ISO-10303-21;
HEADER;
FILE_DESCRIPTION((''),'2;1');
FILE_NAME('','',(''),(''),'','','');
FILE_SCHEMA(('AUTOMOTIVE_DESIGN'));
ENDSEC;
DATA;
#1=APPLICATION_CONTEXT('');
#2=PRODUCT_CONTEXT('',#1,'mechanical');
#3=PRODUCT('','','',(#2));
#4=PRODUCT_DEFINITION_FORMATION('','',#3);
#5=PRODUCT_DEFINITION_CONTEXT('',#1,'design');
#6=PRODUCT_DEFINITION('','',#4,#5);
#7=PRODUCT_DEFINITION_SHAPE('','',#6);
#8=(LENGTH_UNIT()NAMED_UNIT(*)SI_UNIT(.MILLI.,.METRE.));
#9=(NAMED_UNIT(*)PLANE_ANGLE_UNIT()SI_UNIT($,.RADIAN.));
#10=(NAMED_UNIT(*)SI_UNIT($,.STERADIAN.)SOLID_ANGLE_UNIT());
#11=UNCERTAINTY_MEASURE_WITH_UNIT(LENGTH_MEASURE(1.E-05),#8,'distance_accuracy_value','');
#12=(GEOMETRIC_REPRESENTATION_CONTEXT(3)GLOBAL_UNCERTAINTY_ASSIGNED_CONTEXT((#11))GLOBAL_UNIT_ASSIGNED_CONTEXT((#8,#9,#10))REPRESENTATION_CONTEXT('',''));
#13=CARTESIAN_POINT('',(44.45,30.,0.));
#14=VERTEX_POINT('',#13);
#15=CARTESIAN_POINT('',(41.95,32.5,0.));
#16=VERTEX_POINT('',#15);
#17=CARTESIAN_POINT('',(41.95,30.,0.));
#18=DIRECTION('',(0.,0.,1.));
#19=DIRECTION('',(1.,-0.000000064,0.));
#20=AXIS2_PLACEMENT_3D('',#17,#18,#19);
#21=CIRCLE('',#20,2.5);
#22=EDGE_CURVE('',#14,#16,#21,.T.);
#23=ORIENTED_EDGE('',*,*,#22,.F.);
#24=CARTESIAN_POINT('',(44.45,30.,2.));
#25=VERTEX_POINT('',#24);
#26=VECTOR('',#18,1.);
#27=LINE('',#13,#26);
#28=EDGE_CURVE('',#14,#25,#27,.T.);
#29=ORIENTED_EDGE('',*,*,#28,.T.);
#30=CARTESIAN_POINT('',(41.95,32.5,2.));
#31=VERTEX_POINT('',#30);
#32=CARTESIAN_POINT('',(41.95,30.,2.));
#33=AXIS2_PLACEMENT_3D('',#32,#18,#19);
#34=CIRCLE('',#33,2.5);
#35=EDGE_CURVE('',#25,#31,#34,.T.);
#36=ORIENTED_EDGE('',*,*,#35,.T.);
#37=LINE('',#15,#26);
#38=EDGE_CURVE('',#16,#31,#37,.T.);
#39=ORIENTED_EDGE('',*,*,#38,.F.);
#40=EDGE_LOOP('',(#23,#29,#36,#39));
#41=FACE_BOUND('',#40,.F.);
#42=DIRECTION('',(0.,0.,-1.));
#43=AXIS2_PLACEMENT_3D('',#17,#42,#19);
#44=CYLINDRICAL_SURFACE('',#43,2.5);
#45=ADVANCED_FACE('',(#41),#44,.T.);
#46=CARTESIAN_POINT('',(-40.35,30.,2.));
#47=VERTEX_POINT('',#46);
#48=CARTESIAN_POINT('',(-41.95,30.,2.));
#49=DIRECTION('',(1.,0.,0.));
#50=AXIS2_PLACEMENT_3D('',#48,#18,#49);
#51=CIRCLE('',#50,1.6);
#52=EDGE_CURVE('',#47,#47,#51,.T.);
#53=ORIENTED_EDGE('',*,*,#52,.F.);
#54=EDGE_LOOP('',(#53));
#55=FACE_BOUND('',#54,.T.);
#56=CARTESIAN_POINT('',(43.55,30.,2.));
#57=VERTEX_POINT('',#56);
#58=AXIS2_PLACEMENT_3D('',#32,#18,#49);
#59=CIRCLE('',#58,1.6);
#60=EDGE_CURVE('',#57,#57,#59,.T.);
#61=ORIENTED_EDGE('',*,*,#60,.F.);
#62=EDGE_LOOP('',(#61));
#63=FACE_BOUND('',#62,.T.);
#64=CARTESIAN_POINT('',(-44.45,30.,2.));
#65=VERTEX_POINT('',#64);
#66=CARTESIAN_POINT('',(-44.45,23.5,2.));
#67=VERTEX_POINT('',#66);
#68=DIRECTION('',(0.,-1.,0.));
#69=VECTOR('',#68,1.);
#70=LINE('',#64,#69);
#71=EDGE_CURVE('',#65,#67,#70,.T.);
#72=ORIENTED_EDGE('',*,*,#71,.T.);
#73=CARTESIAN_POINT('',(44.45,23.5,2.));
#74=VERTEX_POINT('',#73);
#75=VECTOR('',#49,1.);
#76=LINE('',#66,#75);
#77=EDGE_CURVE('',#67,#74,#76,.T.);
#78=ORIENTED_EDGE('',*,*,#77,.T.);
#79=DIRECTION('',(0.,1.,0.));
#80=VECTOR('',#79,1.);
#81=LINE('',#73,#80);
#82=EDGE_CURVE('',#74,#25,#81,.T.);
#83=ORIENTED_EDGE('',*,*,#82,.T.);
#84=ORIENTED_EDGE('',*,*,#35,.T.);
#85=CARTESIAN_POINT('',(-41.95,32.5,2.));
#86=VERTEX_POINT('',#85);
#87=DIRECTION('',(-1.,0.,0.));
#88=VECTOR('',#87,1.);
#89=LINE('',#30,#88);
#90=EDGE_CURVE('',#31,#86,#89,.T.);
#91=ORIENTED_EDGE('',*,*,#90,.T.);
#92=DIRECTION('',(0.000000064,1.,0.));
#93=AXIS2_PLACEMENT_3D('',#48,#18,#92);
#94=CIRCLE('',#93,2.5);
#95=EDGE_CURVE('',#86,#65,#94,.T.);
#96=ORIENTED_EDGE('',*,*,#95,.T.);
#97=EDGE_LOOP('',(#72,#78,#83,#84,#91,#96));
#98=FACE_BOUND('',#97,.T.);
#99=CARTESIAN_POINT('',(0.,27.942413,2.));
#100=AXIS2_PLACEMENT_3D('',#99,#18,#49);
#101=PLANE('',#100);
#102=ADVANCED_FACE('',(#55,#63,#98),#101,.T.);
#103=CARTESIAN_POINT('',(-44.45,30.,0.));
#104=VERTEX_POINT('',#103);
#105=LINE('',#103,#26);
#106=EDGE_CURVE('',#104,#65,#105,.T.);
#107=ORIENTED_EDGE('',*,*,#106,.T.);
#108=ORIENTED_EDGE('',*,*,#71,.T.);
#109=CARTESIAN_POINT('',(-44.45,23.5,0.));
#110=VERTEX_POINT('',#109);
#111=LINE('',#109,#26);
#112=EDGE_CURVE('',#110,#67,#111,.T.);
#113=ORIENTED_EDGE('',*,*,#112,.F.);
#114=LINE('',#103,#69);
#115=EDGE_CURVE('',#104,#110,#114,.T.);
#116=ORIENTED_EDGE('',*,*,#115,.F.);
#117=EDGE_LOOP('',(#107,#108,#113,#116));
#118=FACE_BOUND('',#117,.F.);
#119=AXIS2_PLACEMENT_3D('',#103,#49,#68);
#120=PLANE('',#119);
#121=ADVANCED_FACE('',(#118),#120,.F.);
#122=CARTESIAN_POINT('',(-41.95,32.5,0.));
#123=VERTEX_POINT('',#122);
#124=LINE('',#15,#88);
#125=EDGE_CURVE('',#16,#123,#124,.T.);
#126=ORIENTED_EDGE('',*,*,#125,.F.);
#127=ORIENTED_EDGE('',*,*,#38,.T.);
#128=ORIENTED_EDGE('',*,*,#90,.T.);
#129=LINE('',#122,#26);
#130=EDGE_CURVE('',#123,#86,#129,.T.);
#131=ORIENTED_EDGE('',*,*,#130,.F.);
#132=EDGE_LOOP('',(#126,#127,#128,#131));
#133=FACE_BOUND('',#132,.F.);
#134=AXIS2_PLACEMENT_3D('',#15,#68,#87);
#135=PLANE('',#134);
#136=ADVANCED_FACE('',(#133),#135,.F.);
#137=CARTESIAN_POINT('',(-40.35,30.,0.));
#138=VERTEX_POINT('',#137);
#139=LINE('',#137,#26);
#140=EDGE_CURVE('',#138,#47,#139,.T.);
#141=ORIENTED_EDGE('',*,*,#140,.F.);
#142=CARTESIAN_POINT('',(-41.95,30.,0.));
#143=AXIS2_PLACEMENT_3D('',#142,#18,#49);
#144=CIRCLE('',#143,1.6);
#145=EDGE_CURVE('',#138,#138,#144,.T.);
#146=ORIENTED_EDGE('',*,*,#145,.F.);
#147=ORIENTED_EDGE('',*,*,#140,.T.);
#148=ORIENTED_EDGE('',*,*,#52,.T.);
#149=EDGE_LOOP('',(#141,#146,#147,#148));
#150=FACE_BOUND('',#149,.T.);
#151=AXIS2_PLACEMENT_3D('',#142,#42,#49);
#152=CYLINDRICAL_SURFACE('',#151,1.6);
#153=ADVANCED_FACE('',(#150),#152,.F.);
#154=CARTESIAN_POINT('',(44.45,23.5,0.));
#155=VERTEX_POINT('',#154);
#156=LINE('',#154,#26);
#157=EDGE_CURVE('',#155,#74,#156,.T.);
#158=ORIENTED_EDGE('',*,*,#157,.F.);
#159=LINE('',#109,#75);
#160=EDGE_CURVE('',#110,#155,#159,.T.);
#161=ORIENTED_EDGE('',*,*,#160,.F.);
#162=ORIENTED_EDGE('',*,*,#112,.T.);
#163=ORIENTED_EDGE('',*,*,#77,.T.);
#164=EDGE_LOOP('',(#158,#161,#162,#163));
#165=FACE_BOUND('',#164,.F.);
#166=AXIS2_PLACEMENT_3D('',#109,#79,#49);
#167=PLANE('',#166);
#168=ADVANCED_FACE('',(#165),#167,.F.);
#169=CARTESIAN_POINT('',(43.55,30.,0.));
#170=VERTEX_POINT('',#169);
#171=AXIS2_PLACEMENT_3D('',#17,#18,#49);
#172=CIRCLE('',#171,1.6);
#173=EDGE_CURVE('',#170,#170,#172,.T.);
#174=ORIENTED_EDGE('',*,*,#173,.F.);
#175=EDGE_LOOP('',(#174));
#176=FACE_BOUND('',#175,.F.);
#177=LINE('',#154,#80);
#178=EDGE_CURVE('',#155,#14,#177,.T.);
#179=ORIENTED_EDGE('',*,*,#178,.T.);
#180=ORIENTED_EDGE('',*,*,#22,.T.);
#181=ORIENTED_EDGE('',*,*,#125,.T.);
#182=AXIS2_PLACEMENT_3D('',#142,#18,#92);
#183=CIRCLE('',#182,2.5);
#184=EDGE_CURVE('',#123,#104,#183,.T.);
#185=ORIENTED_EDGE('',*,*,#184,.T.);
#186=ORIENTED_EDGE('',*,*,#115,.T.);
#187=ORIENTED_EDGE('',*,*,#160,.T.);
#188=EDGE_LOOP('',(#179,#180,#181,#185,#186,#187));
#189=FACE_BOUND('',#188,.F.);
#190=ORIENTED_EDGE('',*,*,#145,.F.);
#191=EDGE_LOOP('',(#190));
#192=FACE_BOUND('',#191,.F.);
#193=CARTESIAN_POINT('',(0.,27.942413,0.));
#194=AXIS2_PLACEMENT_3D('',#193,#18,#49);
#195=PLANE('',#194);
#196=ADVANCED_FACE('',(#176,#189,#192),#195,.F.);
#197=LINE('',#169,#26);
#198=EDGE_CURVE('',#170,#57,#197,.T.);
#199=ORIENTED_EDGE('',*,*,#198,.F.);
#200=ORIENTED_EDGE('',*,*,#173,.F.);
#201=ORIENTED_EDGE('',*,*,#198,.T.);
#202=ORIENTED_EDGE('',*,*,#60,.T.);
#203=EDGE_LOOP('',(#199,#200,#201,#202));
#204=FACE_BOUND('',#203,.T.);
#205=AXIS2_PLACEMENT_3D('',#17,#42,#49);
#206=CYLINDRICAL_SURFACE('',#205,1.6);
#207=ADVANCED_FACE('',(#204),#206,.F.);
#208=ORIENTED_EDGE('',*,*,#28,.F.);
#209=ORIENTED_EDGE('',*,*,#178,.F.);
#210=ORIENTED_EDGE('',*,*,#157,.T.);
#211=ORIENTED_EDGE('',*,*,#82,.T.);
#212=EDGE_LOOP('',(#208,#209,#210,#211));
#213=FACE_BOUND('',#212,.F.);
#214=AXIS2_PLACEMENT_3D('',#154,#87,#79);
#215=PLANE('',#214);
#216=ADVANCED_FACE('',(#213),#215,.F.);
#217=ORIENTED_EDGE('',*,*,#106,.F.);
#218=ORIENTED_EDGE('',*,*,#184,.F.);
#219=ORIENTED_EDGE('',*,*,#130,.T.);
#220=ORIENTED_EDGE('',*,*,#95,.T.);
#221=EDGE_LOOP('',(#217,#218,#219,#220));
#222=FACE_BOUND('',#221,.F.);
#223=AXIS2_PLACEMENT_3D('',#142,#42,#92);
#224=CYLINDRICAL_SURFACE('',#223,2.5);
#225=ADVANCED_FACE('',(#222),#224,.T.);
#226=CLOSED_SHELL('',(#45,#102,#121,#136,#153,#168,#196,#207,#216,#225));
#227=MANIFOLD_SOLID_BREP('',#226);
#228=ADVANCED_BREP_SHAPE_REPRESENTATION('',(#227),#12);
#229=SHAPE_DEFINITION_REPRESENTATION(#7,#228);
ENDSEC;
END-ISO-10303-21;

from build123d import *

# Parameters (mm, degrees)
F0_R     = 1.6
F1_DEPTH = 2


with BuildPart() as f1:
    # F0 (on Top) → F1 (new body)
    with BuildSketch(Plane.XY):
        with BuildLine():
            Line((-44.45, 23.5), (44.45, 23.5))
            Line((44.45, 23.5), (44.45, 27.5))
            Line((44.45, 27.5), (44.45, 30))
            ThreePointArc((44.45, 30), (43.717767, 31.767767), (41.95, 32.5))
            Line((41.95, 32.5), (-41.95, 32.5))
            ThreePointArc((-41.95, 32.5), (-43.717767, 31.767767), (-44.45, 30))
            Line((-44.45, 30), (-44.45, 27.5))
            Line((-44.45, 27.5), (-44.45, 23.5))
        make_face()
        with Locations((-41.95, 30)):
            Circle(F0_R, mode=Mode.SUBTRACT)
        with Locations((41.95, 30)):
            Circle(F0_R, mode=Mode.SUBTRACT)
    extrude(amount=F1_DEPTH)


solid = f1.part
